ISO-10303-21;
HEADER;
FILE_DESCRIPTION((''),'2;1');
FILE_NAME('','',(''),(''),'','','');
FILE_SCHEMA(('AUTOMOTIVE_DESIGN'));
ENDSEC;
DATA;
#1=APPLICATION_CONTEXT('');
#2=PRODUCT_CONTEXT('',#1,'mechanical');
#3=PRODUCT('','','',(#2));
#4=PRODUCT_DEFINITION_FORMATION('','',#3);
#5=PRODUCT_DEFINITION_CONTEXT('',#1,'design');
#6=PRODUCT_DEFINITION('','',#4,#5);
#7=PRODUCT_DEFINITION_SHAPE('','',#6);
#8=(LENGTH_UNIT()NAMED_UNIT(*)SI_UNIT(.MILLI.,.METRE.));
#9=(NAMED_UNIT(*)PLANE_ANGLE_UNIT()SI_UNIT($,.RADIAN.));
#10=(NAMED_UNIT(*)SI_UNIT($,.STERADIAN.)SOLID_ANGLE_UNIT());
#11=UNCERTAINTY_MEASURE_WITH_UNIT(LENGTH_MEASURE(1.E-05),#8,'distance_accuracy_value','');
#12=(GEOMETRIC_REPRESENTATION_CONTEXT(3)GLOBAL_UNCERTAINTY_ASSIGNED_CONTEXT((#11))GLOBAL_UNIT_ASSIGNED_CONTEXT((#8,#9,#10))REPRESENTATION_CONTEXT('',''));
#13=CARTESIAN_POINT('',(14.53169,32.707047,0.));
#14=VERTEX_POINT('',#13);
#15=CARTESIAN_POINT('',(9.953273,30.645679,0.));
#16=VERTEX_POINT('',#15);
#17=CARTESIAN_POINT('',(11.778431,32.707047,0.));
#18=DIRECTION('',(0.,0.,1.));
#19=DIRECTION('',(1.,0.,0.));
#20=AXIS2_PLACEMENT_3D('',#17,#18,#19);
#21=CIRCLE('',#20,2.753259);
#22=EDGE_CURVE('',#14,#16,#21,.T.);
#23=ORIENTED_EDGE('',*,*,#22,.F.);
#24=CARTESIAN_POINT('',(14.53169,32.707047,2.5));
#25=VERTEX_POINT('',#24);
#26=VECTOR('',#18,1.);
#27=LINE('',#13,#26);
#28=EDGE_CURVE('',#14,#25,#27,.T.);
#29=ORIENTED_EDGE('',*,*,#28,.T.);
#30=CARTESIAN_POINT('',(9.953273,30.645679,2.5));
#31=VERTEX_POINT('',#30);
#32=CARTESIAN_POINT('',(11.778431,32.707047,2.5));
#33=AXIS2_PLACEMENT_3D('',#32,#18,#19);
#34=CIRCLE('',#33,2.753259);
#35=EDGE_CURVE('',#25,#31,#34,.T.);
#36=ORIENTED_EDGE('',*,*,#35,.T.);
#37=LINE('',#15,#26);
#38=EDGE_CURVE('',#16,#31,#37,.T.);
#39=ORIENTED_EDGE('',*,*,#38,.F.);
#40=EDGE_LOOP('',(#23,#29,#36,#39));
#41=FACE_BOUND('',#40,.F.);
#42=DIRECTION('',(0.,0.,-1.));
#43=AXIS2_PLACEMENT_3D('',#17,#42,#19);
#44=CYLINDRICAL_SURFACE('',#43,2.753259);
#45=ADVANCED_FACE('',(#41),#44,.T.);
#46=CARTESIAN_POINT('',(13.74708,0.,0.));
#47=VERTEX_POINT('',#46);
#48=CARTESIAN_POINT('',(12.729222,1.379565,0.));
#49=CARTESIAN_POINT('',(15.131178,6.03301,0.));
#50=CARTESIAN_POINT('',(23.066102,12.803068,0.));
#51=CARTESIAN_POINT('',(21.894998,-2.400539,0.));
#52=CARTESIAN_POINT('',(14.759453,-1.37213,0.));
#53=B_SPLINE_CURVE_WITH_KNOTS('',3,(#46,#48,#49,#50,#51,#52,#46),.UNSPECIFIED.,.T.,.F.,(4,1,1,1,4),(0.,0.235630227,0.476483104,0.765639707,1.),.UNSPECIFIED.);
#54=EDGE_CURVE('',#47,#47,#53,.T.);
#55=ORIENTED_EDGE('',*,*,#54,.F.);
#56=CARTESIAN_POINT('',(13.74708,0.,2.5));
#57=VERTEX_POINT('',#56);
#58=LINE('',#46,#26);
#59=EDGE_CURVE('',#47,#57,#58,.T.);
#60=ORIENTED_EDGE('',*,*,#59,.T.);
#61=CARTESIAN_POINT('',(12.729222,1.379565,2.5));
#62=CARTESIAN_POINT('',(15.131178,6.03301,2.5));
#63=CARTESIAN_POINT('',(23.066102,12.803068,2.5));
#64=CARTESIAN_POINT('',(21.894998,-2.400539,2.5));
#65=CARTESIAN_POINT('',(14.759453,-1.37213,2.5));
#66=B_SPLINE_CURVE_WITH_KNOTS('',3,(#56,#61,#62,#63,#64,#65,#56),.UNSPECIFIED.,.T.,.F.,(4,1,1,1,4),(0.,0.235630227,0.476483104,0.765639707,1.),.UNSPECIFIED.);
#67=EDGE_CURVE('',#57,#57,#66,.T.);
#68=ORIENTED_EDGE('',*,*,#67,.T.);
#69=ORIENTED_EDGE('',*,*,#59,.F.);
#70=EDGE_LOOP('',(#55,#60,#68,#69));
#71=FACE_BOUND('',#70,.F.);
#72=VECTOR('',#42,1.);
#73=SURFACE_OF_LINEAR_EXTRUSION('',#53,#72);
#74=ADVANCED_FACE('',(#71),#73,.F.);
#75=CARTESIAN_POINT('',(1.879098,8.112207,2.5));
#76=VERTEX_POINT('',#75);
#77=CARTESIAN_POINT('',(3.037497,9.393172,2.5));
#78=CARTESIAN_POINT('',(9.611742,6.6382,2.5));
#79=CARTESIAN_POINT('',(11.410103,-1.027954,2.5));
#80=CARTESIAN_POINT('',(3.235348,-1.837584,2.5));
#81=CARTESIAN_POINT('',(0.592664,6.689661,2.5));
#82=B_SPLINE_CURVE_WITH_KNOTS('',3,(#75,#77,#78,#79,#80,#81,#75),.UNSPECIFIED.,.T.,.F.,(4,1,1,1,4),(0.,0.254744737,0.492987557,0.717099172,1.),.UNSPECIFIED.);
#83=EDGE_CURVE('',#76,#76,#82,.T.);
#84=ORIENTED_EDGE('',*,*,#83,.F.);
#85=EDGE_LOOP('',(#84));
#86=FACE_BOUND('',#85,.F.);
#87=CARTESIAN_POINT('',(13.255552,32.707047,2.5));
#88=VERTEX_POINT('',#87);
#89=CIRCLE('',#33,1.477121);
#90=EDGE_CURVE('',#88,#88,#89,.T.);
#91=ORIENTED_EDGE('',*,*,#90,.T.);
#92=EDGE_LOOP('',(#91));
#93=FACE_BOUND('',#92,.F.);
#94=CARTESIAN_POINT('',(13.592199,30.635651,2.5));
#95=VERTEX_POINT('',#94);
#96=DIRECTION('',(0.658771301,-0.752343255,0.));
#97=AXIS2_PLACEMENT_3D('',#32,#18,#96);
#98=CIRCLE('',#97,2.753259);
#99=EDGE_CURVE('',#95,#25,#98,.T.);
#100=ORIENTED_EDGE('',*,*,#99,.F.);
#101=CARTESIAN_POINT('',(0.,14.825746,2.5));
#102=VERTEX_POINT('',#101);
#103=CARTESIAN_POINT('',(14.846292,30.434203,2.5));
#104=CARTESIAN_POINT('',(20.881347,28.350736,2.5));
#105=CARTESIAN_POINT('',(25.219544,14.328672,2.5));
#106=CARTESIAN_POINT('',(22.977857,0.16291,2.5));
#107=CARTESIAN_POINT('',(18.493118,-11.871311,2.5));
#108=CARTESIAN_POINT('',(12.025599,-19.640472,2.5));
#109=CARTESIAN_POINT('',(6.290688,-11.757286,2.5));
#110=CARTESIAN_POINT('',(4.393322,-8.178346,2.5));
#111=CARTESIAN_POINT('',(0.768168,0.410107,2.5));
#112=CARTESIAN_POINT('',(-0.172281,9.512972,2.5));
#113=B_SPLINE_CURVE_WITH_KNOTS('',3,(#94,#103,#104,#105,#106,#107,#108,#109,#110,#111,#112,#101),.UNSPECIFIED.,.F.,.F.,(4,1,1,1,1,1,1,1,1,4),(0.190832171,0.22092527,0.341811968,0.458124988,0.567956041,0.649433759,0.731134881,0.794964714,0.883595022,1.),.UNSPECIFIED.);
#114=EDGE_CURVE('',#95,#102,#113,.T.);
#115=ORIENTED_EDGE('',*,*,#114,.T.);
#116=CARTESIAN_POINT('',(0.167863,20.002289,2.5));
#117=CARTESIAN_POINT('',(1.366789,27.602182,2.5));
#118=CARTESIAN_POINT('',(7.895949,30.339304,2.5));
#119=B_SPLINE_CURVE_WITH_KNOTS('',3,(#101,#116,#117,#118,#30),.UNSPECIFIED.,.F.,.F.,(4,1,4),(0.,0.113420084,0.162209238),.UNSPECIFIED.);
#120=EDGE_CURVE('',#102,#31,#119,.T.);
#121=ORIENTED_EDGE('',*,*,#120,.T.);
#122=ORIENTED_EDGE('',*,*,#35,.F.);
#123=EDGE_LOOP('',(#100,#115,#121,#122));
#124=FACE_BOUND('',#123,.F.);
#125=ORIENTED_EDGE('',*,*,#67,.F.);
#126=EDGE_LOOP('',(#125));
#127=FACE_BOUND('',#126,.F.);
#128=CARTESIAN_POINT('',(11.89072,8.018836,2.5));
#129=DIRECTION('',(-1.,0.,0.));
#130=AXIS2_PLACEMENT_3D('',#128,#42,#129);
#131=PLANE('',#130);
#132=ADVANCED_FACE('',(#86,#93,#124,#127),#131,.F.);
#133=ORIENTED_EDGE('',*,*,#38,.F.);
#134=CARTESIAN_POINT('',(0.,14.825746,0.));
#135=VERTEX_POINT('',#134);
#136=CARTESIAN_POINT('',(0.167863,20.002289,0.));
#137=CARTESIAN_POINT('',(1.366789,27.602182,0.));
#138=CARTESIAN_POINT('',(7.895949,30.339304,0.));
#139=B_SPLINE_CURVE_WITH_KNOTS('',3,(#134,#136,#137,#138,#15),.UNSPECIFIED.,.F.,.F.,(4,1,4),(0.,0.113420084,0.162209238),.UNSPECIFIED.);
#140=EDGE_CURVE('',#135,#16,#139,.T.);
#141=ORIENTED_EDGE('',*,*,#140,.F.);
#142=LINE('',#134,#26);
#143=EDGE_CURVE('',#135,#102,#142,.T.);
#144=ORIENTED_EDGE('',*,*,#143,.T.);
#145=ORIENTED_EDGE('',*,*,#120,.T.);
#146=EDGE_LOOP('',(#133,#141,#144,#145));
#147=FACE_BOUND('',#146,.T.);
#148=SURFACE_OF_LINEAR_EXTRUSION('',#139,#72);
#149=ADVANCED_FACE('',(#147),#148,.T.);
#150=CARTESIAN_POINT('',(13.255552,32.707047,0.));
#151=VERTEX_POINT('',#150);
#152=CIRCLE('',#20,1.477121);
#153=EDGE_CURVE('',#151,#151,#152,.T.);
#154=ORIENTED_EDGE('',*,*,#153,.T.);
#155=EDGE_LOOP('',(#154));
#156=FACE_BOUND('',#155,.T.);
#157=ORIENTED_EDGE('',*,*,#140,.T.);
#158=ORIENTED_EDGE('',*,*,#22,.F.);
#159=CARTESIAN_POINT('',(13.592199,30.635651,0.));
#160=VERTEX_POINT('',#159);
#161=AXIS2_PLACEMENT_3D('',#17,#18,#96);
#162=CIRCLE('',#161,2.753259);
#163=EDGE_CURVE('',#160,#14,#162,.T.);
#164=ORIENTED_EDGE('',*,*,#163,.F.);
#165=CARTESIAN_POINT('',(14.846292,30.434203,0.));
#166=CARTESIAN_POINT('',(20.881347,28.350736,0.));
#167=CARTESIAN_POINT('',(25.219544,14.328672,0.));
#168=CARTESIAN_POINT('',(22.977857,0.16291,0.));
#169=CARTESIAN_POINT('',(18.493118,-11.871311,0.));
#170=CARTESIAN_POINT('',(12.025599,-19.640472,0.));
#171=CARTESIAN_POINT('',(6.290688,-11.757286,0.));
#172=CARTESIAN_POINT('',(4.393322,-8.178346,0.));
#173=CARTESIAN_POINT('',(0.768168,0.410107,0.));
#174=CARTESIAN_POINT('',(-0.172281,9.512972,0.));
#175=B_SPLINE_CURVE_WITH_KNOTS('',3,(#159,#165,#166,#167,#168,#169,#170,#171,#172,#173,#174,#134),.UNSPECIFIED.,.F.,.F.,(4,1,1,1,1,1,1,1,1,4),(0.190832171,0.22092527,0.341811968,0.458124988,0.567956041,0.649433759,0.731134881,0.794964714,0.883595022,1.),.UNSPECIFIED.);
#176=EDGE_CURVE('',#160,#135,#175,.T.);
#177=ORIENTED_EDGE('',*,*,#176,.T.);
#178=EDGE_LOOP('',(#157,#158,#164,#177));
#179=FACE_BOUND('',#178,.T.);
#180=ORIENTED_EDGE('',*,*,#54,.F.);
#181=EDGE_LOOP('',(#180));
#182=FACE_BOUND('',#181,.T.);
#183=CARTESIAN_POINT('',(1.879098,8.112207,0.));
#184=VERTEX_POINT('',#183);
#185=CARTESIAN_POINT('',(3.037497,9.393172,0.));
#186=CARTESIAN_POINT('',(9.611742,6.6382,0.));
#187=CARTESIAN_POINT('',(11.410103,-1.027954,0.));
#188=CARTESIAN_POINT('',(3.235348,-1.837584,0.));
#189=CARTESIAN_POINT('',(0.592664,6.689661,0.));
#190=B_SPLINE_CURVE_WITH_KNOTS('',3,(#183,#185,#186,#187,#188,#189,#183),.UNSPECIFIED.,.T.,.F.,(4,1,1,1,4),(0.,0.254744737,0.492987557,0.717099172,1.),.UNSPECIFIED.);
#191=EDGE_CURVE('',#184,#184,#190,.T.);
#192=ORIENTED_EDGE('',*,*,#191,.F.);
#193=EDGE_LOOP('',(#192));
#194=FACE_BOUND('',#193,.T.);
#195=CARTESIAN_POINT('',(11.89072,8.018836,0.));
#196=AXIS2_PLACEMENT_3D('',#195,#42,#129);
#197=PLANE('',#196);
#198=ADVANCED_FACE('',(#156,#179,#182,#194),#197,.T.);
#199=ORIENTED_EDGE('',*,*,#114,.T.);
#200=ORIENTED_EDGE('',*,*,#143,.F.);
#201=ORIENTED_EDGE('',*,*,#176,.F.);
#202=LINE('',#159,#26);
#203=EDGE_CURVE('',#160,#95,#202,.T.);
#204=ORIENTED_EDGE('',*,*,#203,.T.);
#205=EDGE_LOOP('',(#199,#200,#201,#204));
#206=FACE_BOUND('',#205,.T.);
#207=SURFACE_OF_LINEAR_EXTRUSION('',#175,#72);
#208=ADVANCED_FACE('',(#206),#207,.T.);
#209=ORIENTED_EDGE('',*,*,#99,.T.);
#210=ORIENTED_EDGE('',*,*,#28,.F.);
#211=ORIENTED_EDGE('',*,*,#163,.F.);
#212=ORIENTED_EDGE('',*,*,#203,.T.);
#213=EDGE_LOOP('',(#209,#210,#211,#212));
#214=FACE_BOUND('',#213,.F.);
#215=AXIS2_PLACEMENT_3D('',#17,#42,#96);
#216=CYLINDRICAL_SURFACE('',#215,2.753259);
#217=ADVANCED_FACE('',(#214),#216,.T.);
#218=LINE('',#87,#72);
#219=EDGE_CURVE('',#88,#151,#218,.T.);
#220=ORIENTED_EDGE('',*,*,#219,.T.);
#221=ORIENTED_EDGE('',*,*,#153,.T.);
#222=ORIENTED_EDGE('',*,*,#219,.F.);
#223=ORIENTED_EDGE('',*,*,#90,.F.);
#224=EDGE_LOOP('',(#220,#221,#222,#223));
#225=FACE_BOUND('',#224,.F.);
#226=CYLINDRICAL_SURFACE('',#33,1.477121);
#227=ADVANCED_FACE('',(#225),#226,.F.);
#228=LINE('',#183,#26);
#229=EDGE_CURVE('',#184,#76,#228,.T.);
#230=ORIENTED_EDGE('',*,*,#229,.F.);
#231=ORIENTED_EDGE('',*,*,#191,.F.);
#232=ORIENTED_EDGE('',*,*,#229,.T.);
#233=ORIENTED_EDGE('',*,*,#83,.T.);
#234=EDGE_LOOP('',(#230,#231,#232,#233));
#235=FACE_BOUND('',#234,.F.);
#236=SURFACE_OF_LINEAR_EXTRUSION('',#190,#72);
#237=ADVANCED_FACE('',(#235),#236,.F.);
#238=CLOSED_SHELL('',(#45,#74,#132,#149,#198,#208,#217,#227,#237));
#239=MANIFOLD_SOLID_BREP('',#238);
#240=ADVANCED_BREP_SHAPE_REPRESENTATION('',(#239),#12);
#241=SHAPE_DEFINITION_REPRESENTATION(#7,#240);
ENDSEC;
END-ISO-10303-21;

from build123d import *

# Parameters (mm, degrees)
F1_DEPTH = 2.5
F2_R     = 1.4771205513
F3_DEPTH = 25


with BuildPart() as f1:
    # F0 (on Top) → F1 (new body)
    with BuildSketch(Plane.XY):
        with BuildLine():
            add(Edge.make_bspline(
                [(0, 14.825746417), (0.167863444, 20.0022890152), (1.3667893901, 27.6021823887), (7.8959485631, 30.3393036637), (9.953272889, 30.6456793182)],
                knots=[0, 0, 0, 0, 0.113420084, 0.1622092381, 0.1622092381, 0.1622092381, 0.1622092381], degree=3))
            add(Edge.make_bspline(
                [(13.5921993381, 30.6356505224), (14.8462921296, 30.4342026366), (20.881347495, 28.350736449), (25.2195439931, 14.3286721289), (22.9778569542, 0.162910426), (18.4931180073, -11.8713110932), (12.0255993506, -19.6404722741), (6.2906878202, -11.7572856256), (4.3933224566, -8.1783464941), (0.7681679561, 0.4101069623), (-0.172281132, 9.5129719529), (0, 14.825746417)],
                knots=[0.1908321714, 0.1908321714, 0.1908321714, 0.1908321714, 0.2209252704, 0.3418119684, 0.4581249885, 0.5679560411, 0.649433759, 0.731134881, 0.7949647144, 0.8835950222, 1, 1, 1, 1], degree=3))
            ThreePointArc((13.5921993381, 30.6356505224), (11.7708431236, 29.9537976991), (9.953272889, 30.6456793182))
        make_face()
        with BuildLine():
            add(Edge.make_bspline(
                [(1.879097661, 8.1122070551), (3.0374968137, 9.3931724764), (9.61174191, 6.6381997337), (11.4101026294, -1.027954001), (3.235347837, -1.8375837292), (0.5926644909, 6.6896607732), (1.879097661, 8.1122070551)],
                knots=[0, 0, 0, 0, 0.2547447371, 0.4929875566, 0.7170991718, 1, 1, 1, 1], degree=3))
        make_face(mode=Mode.SUBTRACT)
        with BuildLine():
            add(Edge.make_bspline(
                [(13.7470802292, 0), (12.729221523, 1.3795650448), (15.1311777222, 6.0330100024), (23.0661022879, 12.8030680993), (21.8949979612, -2.4005390473), (14.7594531641, -1.3721298494), (13.7470802292, 0)],
                knots=[0, 0, 0, 0, 0.2356302273, 0.4764831039, 0.7656397069, 1, 1, 1, 1], degree=3))
        make_face(mode=Mode.SUBTRACT)
        with BuildLine():
            ThreePointArc((14.5316904875, 32.7070467174), (10.6480983553, 35.2175816833), (9.953272889, 30.6456793182))
            add(Edge.make_bspline(
                [(9.953272889, 30.6456793182), (11.1602349289, 30.8254194692), (12.3993738892, 30.8272568903), (13.5921993381, 30.6356505224)],
                knots=[0.1622092381, 0.1622092381, 0.1622092381, 0.1622092381, 0.1908321714, 0.1908321714, 0.1908321714, 0.1908321714], degree=3))
            ThreePointArc((13.5921993381, 30.6356505224), (14.2858412865, 31.569799403), (14.5316904875, 32.7070467174))
        make_face()
        with BuildLine():
            add(Edge.make_bspline(
                [(9.953272889, 30.6456793182), (11.1602349289, 30.8254194692), (12.3993738892, 30.8272568903), (13.5921993381, 30.6356505224)],
                knots=[0.1622092381, 0.1622092381, 0.1622092381, 0.1622092381, 0.1908321714, 0.1908321714, 0.1908321714, 0.1908321714], degree=3))
            ThreePointArc((9.953272889, 30.6456793182), (11.7708431236, 29.9537976991), (13.5921993381, 30.6356505224))
        make_face()
    extrude(amount=F1_DEPTH)

    # F2 (on face) → F3 (cut)
    with BuildSketch(Plane.XY.offset(2.5)):
        with Locations((11.7784310132, 32.7070467174)):
            Circle(F2_R)
    extrude(amount=-F3_DEPTH, mode=Mode.SUBTRACT)


solid = f1.part
